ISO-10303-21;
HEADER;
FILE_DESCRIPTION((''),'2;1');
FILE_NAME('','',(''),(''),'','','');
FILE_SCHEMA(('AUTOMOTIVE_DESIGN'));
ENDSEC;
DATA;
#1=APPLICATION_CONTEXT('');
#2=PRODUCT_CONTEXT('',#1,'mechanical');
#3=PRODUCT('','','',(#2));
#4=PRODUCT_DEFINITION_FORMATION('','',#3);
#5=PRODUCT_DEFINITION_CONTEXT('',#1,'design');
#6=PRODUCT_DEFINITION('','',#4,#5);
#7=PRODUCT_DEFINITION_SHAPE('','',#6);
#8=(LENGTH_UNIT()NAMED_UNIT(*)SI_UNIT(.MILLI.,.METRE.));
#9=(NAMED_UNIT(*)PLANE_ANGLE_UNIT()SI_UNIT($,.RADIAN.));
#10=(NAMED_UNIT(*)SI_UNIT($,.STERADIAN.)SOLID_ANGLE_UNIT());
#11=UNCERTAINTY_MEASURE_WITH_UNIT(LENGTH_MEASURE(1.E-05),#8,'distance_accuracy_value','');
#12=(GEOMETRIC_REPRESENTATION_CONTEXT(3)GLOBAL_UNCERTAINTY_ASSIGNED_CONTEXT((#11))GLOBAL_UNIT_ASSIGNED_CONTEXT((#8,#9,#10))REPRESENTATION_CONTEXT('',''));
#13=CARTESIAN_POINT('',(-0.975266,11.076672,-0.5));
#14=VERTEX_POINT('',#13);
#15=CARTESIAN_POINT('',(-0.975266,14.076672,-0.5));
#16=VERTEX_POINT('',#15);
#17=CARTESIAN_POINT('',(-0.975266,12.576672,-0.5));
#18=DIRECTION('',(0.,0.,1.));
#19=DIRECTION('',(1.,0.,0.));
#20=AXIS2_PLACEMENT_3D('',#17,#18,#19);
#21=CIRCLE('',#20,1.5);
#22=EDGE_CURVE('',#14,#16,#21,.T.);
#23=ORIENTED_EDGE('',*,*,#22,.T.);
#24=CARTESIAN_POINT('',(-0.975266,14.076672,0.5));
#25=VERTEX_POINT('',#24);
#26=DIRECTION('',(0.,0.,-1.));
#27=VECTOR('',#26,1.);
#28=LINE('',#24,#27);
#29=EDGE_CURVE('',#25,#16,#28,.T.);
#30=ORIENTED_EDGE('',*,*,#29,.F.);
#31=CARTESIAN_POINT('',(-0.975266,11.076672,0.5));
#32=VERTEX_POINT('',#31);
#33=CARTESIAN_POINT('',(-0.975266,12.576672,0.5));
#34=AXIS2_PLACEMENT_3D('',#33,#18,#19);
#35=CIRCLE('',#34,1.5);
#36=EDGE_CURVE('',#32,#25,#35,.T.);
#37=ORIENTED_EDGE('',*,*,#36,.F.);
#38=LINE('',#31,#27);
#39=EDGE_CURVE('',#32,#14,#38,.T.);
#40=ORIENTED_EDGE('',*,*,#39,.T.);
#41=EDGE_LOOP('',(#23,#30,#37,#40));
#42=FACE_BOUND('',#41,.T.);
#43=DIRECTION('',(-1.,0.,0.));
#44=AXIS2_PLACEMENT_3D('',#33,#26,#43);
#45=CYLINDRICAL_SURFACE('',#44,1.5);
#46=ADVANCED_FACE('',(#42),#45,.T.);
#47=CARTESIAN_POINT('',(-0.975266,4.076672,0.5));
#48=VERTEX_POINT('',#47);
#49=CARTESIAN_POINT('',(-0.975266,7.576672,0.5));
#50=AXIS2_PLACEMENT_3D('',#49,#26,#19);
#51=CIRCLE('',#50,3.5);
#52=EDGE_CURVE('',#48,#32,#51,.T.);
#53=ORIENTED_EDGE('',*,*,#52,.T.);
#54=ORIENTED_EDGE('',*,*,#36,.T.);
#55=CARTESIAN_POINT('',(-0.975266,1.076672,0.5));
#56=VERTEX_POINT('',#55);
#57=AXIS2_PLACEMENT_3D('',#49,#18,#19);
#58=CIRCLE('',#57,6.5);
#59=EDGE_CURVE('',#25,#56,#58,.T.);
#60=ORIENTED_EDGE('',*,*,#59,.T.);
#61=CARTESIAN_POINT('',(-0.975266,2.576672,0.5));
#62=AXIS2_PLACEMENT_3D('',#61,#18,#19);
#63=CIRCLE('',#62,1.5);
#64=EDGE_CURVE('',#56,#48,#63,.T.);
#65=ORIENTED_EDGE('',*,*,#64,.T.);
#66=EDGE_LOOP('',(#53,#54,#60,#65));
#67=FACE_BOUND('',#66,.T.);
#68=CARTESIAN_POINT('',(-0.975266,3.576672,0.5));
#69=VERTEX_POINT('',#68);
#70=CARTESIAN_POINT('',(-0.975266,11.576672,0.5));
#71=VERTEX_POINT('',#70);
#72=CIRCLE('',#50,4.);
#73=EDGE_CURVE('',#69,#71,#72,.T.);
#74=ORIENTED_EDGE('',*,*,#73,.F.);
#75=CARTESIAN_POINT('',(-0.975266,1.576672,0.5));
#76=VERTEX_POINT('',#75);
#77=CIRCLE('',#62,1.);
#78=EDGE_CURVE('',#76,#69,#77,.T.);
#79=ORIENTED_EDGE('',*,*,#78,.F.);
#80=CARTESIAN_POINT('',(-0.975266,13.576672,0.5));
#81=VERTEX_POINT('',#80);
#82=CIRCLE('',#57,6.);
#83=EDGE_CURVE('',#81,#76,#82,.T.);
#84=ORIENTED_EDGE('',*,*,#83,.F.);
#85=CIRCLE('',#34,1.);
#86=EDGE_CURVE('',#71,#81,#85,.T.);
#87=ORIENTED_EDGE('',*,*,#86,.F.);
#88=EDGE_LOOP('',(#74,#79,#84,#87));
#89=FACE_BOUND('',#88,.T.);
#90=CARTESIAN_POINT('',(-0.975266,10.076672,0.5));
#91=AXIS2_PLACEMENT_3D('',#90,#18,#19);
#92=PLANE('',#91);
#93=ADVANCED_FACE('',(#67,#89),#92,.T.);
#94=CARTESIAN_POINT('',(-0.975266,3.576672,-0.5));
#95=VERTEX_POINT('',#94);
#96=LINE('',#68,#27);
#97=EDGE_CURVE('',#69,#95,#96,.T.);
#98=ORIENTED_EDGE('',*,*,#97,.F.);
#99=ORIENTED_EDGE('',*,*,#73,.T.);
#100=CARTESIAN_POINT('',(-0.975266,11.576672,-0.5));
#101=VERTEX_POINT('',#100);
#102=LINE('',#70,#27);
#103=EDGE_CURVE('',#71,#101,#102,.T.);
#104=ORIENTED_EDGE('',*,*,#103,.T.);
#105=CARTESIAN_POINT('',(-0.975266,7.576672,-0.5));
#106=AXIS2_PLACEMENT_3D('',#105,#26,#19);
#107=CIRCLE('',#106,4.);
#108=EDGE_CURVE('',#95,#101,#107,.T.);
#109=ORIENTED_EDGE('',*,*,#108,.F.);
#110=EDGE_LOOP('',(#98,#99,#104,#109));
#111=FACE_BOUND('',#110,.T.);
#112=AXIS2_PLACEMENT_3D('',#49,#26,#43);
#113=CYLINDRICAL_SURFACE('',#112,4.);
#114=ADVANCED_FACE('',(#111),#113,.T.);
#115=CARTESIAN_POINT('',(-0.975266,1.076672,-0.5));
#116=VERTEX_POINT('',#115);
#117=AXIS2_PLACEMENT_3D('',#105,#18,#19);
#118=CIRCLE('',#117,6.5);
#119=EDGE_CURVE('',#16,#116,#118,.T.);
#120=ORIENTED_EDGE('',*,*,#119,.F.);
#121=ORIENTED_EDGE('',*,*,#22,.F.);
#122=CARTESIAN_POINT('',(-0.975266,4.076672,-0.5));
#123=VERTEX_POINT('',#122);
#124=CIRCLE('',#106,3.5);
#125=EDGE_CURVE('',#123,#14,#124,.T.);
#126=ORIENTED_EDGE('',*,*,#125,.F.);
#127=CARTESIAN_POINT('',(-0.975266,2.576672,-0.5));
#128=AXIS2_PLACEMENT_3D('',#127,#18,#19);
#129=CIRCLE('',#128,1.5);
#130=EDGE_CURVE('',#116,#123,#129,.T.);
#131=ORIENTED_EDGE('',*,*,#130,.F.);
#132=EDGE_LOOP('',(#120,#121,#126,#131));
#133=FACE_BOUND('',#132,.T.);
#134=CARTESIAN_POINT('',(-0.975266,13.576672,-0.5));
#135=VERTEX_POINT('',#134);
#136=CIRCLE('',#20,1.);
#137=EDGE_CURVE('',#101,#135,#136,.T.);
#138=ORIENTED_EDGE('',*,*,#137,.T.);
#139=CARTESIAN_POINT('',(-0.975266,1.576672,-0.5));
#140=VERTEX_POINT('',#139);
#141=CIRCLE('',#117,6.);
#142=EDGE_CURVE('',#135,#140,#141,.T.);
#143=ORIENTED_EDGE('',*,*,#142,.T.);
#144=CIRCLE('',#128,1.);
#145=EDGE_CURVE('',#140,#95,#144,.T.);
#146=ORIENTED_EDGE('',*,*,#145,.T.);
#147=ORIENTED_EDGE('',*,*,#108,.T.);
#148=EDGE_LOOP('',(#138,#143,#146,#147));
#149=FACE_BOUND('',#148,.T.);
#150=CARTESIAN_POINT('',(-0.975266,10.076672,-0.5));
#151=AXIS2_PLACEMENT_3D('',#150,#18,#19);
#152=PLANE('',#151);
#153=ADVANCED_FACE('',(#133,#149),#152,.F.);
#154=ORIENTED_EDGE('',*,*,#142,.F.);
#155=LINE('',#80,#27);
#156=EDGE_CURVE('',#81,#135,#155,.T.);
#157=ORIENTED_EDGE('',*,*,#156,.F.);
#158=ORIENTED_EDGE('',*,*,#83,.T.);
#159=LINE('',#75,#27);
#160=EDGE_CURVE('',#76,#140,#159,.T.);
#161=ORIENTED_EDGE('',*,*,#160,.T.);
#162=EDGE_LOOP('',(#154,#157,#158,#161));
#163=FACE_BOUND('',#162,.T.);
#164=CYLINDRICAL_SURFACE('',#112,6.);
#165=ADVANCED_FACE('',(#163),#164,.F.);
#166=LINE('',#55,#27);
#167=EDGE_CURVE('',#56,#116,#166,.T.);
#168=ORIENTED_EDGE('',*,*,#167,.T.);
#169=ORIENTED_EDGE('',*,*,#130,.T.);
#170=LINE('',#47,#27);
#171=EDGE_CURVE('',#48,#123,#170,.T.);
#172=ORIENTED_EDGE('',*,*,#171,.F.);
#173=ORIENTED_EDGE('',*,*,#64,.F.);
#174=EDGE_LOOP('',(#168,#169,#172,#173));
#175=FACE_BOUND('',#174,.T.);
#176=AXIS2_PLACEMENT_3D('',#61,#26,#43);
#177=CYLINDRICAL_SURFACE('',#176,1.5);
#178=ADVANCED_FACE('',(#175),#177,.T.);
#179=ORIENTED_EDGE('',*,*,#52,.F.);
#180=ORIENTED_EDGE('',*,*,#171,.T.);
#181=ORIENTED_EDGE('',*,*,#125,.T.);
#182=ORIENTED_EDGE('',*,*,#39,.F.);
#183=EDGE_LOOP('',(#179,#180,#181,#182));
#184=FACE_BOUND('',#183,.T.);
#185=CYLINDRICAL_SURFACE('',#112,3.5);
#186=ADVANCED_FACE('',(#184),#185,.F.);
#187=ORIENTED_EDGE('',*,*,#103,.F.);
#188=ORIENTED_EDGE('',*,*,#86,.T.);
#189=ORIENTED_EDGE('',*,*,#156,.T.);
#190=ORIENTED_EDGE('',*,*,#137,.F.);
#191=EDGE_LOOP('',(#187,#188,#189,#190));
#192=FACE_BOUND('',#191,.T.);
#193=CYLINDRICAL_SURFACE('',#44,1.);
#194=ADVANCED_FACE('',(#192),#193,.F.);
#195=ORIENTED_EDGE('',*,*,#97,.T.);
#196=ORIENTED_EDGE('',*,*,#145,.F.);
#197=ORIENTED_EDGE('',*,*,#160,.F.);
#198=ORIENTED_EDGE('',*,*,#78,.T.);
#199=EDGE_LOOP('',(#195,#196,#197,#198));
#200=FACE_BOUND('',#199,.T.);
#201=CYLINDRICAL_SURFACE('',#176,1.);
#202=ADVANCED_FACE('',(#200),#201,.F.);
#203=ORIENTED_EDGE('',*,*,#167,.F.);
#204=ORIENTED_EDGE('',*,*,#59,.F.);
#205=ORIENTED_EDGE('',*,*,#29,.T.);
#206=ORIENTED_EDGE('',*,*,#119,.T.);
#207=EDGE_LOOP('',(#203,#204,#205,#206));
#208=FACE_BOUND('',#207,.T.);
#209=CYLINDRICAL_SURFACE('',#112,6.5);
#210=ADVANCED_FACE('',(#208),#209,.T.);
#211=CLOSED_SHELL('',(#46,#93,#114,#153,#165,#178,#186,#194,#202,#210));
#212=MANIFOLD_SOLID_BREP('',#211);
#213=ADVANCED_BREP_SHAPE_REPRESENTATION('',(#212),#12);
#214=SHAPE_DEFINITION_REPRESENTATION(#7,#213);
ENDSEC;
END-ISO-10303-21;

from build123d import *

# Parameters (mm, degrees)
EXTRUDE_1_DEPTH = 0.5


with BuildPart() as part:
    # 草图1 → 凸台-拉伸1 (new, symmetric)
    with BuildSketch(Plane.XY):
        with BuildLine():
            ThreePointArc((-0.975265745, 11.076672173), (-4.475265745, 7.576672173), (-0.975265745, 4.076672173))
            ThreePointArc((-0.975265745, 4.076672173), (0.524734255, 2.576672173), (-0.975265745, 1.076672173))
            ThreePointArc((-0.975265745, 1.076672173), (-7.475265745, 7.576672173), (-0.975265745, 14.076672173))
            ThreePointArc((-0.975265745, 14.076672173), (0.524734255, 12.576672173), (-0.975265745, 11.076672173))
        make_face()
        with BuildLine():
            ThreePointArc((-0.975265745, 11.576672173), (-4.975265745, 7.576672173), (-0.975265745, 3.576672173))
            ThreePointArc((-0.975265745, 3.576672173), (0.024734255, 2.576672173), (-0.975265745, 1.576672173))
            ThreePointArc((-0.975265745, 1.576672173), (-6.975265745, 7.576672173), (-0.975265745, 13.576672173))
            ThreePointArc((-0.975265745, 13.576672173), (0.024734255, 12.576672173), (-0.975265745, 11.576672173))
        make_face(mode=Mode.SUBTRACT)
    extrude(amount=EXTRUDE_1_DEPTH, both=True)


solid = part.part
